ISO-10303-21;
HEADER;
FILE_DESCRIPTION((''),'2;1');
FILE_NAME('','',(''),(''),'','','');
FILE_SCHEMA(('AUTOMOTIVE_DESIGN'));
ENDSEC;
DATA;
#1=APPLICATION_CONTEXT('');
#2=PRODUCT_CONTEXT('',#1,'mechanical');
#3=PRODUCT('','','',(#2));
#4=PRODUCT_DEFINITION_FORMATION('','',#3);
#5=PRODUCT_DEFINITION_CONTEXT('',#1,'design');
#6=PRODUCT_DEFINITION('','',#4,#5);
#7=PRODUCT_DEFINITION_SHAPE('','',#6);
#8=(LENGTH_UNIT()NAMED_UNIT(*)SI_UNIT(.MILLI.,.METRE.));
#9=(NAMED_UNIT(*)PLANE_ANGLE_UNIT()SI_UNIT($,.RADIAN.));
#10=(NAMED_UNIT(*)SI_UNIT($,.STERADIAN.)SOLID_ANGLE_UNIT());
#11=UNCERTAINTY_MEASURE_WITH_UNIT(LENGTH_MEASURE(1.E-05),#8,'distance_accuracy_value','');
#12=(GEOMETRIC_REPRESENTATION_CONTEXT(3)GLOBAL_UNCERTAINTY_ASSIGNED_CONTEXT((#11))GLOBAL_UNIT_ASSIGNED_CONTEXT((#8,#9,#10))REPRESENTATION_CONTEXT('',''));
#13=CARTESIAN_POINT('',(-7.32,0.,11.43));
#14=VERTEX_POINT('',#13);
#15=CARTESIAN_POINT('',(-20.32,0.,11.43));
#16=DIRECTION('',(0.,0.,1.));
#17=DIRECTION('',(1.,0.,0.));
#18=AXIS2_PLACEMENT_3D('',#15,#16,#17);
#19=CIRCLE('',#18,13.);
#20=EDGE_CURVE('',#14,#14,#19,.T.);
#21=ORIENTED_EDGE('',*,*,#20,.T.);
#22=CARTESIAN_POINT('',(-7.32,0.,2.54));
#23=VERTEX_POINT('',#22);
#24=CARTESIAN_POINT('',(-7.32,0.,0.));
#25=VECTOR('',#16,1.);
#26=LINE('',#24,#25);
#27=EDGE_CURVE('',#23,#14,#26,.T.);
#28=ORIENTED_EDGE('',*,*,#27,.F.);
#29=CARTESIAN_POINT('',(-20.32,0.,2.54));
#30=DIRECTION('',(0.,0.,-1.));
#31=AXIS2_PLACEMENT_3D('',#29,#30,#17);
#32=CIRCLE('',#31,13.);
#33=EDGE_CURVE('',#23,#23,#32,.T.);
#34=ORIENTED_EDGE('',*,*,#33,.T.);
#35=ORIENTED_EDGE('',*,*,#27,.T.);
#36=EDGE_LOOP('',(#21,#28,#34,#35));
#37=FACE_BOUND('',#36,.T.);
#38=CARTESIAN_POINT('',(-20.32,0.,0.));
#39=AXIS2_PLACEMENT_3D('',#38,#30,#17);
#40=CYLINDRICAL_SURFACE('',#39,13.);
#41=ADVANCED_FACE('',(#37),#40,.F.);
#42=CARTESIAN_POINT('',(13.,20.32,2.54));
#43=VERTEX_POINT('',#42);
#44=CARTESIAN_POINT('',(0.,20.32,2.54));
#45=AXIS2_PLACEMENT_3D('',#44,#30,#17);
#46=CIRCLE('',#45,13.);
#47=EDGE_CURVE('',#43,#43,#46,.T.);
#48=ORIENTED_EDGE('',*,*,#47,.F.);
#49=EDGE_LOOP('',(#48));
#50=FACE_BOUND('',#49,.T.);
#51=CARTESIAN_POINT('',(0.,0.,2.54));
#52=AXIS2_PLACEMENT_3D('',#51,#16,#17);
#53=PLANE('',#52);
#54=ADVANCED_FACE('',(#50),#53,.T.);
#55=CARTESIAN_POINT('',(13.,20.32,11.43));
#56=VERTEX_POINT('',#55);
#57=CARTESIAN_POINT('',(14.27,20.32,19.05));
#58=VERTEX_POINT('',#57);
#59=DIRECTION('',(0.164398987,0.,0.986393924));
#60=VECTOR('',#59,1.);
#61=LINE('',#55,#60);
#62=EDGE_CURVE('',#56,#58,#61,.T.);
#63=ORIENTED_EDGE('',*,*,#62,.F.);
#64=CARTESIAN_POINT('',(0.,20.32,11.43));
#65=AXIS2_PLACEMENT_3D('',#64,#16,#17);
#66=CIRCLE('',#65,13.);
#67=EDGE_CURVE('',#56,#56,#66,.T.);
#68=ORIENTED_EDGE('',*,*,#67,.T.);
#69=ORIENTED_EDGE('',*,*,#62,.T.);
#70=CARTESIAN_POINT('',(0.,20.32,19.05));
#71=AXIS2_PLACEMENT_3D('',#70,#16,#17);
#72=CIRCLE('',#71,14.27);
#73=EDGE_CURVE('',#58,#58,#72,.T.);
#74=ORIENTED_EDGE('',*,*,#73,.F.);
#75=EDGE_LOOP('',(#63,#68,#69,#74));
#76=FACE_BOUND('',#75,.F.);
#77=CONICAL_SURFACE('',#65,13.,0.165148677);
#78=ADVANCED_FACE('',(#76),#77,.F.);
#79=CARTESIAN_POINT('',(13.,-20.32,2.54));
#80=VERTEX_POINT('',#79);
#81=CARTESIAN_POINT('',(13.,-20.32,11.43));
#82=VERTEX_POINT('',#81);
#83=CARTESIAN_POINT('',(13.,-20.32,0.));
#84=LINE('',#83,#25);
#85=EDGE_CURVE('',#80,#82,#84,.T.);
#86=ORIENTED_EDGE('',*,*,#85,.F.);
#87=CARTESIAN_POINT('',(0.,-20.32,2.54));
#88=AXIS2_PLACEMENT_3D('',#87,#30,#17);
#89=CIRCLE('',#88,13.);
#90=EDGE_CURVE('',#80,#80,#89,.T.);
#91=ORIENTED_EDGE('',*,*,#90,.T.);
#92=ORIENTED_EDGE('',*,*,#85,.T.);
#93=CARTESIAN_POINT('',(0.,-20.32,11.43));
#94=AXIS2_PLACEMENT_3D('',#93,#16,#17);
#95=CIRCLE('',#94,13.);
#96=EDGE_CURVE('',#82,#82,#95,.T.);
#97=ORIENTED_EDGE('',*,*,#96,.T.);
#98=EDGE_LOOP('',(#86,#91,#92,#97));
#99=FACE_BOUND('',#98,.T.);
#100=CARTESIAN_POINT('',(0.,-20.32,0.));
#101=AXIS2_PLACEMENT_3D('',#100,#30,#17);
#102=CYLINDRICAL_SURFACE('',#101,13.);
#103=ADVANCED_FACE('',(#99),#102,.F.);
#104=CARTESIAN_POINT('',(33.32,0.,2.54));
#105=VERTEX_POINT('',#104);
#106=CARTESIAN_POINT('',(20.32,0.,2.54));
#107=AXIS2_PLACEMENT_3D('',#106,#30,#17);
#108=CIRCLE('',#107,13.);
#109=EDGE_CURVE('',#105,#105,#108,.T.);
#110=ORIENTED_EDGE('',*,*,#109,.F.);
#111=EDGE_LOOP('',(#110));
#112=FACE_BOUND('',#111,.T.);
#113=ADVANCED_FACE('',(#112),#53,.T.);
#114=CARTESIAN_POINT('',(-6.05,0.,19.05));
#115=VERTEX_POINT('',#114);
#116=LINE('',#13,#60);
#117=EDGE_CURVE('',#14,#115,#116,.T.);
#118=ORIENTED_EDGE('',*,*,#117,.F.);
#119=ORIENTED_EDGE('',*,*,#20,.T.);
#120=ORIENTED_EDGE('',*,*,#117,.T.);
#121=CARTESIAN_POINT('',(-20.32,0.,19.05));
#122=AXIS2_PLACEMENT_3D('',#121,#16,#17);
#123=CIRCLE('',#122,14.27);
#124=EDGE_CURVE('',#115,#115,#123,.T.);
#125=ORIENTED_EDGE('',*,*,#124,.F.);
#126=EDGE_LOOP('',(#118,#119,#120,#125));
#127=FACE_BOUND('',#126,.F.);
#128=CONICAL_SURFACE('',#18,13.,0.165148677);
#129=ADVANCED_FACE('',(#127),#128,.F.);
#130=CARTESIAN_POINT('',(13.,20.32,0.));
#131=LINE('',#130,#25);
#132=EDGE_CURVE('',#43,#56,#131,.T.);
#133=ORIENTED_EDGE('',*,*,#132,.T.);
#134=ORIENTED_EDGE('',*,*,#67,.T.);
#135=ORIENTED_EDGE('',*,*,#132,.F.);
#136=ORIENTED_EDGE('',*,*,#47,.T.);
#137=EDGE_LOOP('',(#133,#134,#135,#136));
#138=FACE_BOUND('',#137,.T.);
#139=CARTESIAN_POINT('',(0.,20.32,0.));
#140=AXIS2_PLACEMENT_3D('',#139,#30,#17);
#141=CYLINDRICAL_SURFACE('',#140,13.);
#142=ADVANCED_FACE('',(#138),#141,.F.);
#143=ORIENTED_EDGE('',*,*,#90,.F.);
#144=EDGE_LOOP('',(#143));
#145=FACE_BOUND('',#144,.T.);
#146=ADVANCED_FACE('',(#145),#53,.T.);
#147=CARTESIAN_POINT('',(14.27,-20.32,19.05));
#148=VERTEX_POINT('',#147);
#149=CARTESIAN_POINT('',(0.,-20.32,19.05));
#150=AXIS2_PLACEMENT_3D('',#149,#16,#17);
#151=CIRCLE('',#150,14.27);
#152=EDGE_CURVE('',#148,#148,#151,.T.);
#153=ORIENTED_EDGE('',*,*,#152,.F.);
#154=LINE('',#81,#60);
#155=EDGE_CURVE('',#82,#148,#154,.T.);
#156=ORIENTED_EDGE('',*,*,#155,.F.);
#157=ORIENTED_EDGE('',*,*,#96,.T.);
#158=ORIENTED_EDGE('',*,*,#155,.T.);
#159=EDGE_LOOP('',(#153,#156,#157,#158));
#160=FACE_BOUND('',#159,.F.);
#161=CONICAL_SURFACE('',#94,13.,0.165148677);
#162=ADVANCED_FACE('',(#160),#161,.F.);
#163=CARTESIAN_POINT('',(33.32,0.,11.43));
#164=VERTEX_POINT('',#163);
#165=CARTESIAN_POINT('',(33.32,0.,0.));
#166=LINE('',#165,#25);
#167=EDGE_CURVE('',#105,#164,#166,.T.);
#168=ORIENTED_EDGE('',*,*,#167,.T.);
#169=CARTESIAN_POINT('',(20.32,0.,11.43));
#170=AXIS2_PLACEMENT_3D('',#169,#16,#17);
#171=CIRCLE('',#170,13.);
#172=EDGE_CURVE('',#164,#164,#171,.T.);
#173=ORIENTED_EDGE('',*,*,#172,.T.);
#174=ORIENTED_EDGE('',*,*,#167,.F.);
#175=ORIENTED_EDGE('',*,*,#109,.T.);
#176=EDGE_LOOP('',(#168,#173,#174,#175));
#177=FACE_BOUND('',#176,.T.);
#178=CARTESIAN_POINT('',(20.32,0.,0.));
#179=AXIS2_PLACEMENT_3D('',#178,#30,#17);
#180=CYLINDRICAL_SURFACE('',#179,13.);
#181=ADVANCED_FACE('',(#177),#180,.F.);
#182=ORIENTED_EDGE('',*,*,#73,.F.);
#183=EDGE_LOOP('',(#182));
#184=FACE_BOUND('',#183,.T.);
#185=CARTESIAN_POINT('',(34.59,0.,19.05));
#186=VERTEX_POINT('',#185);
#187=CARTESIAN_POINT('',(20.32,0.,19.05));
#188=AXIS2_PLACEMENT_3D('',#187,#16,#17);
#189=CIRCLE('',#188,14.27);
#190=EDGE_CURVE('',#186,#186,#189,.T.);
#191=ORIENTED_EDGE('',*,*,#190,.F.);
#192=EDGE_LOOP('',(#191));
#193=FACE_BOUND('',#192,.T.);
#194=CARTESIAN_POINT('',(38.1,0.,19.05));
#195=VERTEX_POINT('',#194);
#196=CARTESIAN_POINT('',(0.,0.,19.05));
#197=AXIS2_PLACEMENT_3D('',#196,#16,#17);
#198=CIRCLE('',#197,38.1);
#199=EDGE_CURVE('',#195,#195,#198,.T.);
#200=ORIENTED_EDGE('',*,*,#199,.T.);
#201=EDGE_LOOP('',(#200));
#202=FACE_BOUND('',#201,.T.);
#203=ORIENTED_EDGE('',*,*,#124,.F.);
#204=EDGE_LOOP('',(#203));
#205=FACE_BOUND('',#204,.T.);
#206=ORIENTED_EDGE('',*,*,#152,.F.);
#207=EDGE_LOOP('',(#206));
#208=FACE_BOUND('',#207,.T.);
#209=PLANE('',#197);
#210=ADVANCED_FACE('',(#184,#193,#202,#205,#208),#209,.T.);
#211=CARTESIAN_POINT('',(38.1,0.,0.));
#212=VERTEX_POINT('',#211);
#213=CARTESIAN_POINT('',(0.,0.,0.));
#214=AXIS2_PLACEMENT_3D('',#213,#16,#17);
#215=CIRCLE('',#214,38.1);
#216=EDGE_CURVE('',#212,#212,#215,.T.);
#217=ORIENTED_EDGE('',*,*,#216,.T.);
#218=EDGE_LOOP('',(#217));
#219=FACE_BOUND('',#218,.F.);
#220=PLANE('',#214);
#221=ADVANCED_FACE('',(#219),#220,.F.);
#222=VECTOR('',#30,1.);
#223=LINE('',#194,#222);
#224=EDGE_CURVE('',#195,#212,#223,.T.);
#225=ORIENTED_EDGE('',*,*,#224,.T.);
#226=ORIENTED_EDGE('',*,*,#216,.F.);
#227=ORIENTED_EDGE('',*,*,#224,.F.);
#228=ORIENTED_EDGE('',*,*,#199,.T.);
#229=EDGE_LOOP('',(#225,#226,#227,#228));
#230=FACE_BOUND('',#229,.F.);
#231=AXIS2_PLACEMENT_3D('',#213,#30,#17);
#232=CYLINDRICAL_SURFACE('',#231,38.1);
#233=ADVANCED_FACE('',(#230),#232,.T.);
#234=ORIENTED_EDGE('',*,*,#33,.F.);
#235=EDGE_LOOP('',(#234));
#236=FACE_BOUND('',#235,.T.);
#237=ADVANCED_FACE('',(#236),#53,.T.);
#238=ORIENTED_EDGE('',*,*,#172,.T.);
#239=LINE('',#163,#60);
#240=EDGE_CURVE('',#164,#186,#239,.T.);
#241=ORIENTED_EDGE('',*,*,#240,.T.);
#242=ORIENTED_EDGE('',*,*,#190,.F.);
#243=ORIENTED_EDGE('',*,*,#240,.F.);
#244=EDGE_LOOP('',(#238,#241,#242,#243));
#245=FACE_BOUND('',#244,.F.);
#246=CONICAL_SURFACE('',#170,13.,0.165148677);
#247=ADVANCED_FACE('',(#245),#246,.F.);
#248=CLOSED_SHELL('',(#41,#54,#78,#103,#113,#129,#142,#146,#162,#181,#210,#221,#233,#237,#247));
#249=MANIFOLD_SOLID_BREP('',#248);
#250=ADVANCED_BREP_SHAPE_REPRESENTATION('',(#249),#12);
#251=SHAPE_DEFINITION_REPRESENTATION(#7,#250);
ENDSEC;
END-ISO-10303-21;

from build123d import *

# Parameters (mm, degrees)
F0_R       = 38.1
F0_R_2     = 3.175
F0_R_3     = 13
F1_DEPTH   = 19.05
F2_DEPTH   = 2.54
F3_SIZE2   = 1.27
F3_SIZE    = 7.62
F3_2_SIZE2 = 1.27
F3_2_SIZE  = 7.62
F3_3_SIZE2 = 1.27
F3_3_SIZE  = 7.62
F3_4_SIZE2 = 1.27
F3_4_SIZE  = 7.62


with BuildPart() as f1:
    # F0 (on Top) → F1 (new body)
    with BuildSketch(Plane.XY):
        Circle(F0_R)
        with Locations((-21.5526146906, -21.5526146906)):
            Circle(F0_R_2, mode=Mode.SUBTRACT)
        with Locations((0, -20.32)):
            Circle(F0_R_3, mode=Mode.SUBTRACT)
        with Locations((21.5526146906, -21.5526146906)):
            Circle(F0_R_2, mode=Mode.SUBTRACT)
        with Locations((-20.32, 0)):
            Circle(F0_R_3, mode=Mode.SUBTRACT)
        with Locations((-21.5526146906, 21.5526146906)):
            Circle(F0_R_2, mode=Mode.SUBTRACT)
        with Locations((20.32, 0)):
            Circle(F0_R_3, mode=Mode.SUBTRACT)
        with Locations((0, 20.32)):
            Circle(F0_R_3, mode=Mode.SUBTRACT)
        with Locations((21.5526146906, 21.5526146906)):
            Circle(F0_R_2, mode=Mode.SUBTRACT)
        with Locations((-21.5526146906, 21.5526146906)):
            Circle(F0_R_2)
        with Locations((-21.5526146906, -21.5526146906)):
            Circle(F0_R_2)
        with Locations((21.5526146906, -21.5526146906)):
            Circle(F0_R_2)
        with Locations((21.5526146906, 21.5526146906)):
            Circle(F0_R_2)
    extrude(amount=F1_DEPTH)

    # F0 (on Top) → F2 (join)
    with BuildSketch(Plane.XY):
        Circle(F0_R)
        with Locations((-21.5526146906, -21.5526146906)):
            Circle(F0_R_2, mode=Mode.SUBTRACT)
        with Locations((0, -20.32)):
            Circle(F0_R_3, mode=Mode.SUBTRACT)
        with Locations((21.5526146906, -21.5526146906)):
            Circle(F0_R_2, mode=Mode.SUBTRACT)
        with Locations((-20.32, 0)):
            Circle(F0_R_3, mode=Mode.SUBTRACT)
        with Locations((-21.5526146906, 21.5526146906)):
            Circle(F0_R_2, mode=Mode.SUBTRACT)
        with Locations((20.32, 0)):
            Circle(F0_R_3, mode=Mode.SUBTRACT)
        with Locations((0, 20.32)):
            Circle(F0_R_3, mode=Mode.SUBTRACT)
        with Locations((21.5526146906, 21.5526146906)):
            Circle(F0_R_2, mode=Mode.SUBTRACT)
        with Locations((-20.32, 0)):
            Circle(F0_R_3)
        with Locations((0, -20.32)):
            Circle(F0_R_3)
        with Locations((20.32, 0)):
            Circle(F0_R_3)
        with Locations((0, 20.32)):
            Circle(F0_R_3)
    extrude(amount=F2_DEPTH)

    # F3
    f3_edges = [f1.edges().sort_by_distance(p)[0] for p in [
        (-13, -20.32, 19.05),
    ]]
    f3_side = f1.faces().sort_by_distance((-13, -20.32, 10.795))[0]
    chamfer(f3_edges, length=F3_SIZE, length2=F3_SIZE2, reference=f3_side)

    # F3#2
    f3_2_edges = [f1.edges().sort_by_distance(p)[0] for p in [
        (-33.32, 0, 19.05),
    ]]
    f3_2_side = f1.faces().sort_by_distance((-33.32, 0, 10.795))[0]
    chamfer(f3_2_edges, length=F3_2_SIZE, length2=F3_2_SIZE2, reference=f3_2_side)

    # F3#3
    f3_3_edges = [f1.edges().sort_by_distance(p)[0] for p in [
        (-13, 20.32, 19.05),
    ]]
    f3_3_side = f1.faces().sort_by_distance((-13, 20.32, 10.795))[0]
    chamfer(f3_3_edges, length=F3_3_SIZE, length2=F3_3_SIZE2, reference=f3_3_side)

    # F3#4
    f3_4_edges = [f1.edges().sort_by_distance(p)[0] for p in [
        (7.32, 0, 19.05),
    ]]
    f3_4_side = f1.faces().sort_by_distance((7.32, 0, 10.795))[0]
    chamfer(f3_4_edges, length=F3_4_SIZE, length2=F3_4_SIZE2, reference=f3_4_side)


solid = f1.part
